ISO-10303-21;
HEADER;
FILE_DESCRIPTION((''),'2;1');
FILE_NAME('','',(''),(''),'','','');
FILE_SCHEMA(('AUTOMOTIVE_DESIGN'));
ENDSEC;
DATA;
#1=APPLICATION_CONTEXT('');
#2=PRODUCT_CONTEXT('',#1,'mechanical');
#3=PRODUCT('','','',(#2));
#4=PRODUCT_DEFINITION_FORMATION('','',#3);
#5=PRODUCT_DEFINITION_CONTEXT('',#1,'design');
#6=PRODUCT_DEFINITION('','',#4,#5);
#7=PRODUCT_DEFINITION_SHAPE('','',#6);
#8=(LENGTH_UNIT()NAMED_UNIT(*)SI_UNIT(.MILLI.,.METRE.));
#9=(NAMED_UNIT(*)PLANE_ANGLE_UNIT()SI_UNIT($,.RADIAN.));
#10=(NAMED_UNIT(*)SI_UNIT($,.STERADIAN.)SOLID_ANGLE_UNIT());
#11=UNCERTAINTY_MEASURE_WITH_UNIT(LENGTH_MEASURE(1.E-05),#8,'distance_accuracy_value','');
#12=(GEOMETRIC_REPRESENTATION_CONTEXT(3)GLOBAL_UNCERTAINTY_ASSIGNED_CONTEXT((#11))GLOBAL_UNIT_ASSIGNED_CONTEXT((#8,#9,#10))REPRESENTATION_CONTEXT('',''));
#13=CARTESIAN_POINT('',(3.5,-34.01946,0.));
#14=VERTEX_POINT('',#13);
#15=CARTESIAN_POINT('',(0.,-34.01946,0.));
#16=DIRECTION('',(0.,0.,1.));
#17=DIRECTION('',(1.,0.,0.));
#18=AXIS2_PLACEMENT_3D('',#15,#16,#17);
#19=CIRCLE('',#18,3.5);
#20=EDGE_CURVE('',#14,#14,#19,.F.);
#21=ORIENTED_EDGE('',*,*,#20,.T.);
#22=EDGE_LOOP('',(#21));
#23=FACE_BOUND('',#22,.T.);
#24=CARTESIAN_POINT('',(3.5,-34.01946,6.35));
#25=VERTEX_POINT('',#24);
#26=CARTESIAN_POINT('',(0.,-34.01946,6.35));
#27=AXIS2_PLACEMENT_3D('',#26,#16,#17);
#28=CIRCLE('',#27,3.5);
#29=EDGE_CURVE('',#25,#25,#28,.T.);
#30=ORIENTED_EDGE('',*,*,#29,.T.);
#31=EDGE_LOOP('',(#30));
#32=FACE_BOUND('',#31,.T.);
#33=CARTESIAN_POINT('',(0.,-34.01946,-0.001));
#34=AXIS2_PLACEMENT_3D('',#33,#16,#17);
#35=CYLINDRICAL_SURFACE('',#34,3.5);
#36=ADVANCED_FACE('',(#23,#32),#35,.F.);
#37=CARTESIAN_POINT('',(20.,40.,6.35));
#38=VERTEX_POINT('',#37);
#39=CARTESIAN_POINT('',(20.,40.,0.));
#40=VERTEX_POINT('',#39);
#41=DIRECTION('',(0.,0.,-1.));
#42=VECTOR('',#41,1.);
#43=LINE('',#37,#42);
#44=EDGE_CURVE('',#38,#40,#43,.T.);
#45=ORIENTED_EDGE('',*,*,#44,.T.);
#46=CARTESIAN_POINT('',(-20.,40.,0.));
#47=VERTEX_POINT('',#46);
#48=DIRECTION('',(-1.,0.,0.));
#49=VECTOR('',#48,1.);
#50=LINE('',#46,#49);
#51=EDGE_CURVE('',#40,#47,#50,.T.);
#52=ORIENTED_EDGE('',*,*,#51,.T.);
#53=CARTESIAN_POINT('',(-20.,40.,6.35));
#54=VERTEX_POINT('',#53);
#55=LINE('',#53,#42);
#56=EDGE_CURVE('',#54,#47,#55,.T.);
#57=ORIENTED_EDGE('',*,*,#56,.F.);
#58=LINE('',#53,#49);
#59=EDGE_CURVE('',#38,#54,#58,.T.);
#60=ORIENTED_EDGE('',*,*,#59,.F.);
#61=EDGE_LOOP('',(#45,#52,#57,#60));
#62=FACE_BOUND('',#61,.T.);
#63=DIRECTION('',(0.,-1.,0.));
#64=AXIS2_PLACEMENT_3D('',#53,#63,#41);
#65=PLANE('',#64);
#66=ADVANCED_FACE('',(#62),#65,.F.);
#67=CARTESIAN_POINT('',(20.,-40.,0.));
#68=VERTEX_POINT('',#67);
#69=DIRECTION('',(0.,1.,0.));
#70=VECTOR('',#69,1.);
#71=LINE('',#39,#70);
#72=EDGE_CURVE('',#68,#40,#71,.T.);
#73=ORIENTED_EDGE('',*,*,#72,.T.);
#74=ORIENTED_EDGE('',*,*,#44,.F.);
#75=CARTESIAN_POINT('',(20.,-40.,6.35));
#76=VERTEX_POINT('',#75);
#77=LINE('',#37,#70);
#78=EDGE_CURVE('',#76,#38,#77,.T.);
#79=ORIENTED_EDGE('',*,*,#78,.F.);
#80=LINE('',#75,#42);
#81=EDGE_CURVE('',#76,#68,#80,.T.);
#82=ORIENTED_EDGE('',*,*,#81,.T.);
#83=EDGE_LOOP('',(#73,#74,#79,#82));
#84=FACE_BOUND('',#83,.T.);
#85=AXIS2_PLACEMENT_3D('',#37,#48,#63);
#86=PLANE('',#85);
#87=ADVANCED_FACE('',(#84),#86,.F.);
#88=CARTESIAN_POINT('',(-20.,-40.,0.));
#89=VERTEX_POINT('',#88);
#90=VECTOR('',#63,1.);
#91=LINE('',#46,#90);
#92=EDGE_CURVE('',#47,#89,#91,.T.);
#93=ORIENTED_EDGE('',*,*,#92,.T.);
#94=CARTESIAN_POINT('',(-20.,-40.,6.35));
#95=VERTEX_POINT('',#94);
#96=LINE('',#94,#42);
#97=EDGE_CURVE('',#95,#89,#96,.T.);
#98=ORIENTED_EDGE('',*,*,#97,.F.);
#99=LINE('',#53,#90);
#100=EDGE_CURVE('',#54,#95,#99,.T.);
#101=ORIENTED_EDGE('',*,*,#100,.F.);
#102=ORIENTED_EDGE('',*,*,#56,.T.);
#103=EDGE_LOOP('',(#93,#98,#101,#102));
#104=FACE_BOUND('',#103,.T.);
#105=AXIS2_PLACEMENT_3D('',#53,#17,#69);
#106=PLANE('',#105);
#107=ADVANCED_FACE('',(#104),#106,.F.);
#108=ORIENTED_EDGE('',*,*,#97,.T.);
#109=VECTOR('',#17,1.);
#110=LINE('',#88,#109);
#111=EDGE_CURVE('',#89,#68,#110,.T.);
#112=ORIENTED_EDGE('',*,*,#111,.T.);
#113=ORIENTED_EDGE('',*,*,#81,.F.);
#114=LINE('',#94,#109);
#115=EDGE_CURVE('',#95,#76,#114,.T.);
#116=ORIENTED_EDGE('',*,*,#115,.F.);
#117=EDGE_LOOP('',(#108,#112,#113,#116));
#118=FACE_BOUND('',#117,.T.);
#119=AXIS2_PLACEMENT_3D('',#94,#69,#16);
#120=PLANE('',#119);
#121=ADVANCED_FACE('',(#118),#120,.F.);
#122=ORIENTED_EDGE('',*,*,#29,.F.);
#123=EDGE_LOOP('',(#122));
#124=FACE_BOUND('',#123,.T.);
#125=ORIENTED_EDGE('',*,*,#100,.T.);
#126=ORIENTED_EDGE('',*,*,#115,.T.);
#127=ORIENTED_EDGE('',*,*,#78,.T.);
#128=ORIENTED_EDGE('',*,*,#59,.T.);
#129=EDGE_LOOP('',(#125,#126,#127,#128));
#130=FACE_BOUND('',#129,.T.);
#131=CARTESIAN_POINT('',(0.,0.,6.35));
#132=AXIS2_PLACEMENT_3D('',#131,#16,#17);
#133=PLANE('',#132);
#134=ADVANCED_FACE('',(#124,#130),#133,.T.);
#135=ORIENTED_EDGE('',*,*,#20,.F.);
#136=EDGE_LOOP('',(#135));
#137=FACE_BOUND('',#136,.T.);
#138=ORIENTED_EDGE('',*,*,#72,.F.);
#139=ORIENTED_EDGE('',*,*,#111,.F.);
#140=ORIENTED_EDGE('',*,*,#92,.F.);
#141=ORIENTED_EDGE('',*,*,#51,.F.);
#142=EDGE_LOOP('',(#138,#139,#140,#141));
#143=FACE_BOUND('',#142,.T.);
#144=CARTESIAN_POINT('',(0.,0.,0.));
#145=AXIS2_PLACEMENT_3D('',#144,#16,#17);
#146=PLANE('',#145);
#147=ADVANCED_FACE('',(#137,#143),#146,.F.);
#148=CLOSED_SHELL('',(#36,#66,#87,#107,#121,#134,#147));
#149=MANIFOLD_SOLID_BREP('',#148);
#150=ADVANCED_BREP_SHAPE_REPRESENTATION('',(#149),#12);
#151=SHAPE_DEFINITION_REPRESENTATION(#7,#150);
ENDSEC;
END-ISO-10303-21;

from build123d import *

# Parameters (mm, degrees)
SKETCH1_W           = 40
SKETCH1_H           = 80
BOSS_EXTRUDE1_DEPTH = 6.35
CUT_EXTRUDE1_REACH  = 47.17
SKETCH2_R           = 3.5


with BuildPart() as part:
    # Sketch1 → Boss-Extrude1 (new body)
    with BuildSketch(Plane.XY):
        Rectangle(SKETCH1_W, SKETCH1_H)
    extrude(amount=BOSS_EXTRUDE1_DEPTH)

    # Sketch2 → Cut-Extrude1 (cut, up to next)
    with BuildSketch(Plane.XY.offset(6.35), mode=Mode.PRIVATE) as cut_extrude1_sk1:
        with Locations((0, -34.01945972)):
            Circle(SKETCH2_R)
    cut_extrude1_tool1 = extrude(cut_extrude1_sk1.sketch, amount=-CUT_EXTRUDE1_REACH, mode=Mode.PRIVATE) & part.part
    add(cut_extrude1_tool1.solids().sort_by_distance((0, -34.01946, 6.35))[0], mode=Mode.SUBTRACT)


solid = part.part
